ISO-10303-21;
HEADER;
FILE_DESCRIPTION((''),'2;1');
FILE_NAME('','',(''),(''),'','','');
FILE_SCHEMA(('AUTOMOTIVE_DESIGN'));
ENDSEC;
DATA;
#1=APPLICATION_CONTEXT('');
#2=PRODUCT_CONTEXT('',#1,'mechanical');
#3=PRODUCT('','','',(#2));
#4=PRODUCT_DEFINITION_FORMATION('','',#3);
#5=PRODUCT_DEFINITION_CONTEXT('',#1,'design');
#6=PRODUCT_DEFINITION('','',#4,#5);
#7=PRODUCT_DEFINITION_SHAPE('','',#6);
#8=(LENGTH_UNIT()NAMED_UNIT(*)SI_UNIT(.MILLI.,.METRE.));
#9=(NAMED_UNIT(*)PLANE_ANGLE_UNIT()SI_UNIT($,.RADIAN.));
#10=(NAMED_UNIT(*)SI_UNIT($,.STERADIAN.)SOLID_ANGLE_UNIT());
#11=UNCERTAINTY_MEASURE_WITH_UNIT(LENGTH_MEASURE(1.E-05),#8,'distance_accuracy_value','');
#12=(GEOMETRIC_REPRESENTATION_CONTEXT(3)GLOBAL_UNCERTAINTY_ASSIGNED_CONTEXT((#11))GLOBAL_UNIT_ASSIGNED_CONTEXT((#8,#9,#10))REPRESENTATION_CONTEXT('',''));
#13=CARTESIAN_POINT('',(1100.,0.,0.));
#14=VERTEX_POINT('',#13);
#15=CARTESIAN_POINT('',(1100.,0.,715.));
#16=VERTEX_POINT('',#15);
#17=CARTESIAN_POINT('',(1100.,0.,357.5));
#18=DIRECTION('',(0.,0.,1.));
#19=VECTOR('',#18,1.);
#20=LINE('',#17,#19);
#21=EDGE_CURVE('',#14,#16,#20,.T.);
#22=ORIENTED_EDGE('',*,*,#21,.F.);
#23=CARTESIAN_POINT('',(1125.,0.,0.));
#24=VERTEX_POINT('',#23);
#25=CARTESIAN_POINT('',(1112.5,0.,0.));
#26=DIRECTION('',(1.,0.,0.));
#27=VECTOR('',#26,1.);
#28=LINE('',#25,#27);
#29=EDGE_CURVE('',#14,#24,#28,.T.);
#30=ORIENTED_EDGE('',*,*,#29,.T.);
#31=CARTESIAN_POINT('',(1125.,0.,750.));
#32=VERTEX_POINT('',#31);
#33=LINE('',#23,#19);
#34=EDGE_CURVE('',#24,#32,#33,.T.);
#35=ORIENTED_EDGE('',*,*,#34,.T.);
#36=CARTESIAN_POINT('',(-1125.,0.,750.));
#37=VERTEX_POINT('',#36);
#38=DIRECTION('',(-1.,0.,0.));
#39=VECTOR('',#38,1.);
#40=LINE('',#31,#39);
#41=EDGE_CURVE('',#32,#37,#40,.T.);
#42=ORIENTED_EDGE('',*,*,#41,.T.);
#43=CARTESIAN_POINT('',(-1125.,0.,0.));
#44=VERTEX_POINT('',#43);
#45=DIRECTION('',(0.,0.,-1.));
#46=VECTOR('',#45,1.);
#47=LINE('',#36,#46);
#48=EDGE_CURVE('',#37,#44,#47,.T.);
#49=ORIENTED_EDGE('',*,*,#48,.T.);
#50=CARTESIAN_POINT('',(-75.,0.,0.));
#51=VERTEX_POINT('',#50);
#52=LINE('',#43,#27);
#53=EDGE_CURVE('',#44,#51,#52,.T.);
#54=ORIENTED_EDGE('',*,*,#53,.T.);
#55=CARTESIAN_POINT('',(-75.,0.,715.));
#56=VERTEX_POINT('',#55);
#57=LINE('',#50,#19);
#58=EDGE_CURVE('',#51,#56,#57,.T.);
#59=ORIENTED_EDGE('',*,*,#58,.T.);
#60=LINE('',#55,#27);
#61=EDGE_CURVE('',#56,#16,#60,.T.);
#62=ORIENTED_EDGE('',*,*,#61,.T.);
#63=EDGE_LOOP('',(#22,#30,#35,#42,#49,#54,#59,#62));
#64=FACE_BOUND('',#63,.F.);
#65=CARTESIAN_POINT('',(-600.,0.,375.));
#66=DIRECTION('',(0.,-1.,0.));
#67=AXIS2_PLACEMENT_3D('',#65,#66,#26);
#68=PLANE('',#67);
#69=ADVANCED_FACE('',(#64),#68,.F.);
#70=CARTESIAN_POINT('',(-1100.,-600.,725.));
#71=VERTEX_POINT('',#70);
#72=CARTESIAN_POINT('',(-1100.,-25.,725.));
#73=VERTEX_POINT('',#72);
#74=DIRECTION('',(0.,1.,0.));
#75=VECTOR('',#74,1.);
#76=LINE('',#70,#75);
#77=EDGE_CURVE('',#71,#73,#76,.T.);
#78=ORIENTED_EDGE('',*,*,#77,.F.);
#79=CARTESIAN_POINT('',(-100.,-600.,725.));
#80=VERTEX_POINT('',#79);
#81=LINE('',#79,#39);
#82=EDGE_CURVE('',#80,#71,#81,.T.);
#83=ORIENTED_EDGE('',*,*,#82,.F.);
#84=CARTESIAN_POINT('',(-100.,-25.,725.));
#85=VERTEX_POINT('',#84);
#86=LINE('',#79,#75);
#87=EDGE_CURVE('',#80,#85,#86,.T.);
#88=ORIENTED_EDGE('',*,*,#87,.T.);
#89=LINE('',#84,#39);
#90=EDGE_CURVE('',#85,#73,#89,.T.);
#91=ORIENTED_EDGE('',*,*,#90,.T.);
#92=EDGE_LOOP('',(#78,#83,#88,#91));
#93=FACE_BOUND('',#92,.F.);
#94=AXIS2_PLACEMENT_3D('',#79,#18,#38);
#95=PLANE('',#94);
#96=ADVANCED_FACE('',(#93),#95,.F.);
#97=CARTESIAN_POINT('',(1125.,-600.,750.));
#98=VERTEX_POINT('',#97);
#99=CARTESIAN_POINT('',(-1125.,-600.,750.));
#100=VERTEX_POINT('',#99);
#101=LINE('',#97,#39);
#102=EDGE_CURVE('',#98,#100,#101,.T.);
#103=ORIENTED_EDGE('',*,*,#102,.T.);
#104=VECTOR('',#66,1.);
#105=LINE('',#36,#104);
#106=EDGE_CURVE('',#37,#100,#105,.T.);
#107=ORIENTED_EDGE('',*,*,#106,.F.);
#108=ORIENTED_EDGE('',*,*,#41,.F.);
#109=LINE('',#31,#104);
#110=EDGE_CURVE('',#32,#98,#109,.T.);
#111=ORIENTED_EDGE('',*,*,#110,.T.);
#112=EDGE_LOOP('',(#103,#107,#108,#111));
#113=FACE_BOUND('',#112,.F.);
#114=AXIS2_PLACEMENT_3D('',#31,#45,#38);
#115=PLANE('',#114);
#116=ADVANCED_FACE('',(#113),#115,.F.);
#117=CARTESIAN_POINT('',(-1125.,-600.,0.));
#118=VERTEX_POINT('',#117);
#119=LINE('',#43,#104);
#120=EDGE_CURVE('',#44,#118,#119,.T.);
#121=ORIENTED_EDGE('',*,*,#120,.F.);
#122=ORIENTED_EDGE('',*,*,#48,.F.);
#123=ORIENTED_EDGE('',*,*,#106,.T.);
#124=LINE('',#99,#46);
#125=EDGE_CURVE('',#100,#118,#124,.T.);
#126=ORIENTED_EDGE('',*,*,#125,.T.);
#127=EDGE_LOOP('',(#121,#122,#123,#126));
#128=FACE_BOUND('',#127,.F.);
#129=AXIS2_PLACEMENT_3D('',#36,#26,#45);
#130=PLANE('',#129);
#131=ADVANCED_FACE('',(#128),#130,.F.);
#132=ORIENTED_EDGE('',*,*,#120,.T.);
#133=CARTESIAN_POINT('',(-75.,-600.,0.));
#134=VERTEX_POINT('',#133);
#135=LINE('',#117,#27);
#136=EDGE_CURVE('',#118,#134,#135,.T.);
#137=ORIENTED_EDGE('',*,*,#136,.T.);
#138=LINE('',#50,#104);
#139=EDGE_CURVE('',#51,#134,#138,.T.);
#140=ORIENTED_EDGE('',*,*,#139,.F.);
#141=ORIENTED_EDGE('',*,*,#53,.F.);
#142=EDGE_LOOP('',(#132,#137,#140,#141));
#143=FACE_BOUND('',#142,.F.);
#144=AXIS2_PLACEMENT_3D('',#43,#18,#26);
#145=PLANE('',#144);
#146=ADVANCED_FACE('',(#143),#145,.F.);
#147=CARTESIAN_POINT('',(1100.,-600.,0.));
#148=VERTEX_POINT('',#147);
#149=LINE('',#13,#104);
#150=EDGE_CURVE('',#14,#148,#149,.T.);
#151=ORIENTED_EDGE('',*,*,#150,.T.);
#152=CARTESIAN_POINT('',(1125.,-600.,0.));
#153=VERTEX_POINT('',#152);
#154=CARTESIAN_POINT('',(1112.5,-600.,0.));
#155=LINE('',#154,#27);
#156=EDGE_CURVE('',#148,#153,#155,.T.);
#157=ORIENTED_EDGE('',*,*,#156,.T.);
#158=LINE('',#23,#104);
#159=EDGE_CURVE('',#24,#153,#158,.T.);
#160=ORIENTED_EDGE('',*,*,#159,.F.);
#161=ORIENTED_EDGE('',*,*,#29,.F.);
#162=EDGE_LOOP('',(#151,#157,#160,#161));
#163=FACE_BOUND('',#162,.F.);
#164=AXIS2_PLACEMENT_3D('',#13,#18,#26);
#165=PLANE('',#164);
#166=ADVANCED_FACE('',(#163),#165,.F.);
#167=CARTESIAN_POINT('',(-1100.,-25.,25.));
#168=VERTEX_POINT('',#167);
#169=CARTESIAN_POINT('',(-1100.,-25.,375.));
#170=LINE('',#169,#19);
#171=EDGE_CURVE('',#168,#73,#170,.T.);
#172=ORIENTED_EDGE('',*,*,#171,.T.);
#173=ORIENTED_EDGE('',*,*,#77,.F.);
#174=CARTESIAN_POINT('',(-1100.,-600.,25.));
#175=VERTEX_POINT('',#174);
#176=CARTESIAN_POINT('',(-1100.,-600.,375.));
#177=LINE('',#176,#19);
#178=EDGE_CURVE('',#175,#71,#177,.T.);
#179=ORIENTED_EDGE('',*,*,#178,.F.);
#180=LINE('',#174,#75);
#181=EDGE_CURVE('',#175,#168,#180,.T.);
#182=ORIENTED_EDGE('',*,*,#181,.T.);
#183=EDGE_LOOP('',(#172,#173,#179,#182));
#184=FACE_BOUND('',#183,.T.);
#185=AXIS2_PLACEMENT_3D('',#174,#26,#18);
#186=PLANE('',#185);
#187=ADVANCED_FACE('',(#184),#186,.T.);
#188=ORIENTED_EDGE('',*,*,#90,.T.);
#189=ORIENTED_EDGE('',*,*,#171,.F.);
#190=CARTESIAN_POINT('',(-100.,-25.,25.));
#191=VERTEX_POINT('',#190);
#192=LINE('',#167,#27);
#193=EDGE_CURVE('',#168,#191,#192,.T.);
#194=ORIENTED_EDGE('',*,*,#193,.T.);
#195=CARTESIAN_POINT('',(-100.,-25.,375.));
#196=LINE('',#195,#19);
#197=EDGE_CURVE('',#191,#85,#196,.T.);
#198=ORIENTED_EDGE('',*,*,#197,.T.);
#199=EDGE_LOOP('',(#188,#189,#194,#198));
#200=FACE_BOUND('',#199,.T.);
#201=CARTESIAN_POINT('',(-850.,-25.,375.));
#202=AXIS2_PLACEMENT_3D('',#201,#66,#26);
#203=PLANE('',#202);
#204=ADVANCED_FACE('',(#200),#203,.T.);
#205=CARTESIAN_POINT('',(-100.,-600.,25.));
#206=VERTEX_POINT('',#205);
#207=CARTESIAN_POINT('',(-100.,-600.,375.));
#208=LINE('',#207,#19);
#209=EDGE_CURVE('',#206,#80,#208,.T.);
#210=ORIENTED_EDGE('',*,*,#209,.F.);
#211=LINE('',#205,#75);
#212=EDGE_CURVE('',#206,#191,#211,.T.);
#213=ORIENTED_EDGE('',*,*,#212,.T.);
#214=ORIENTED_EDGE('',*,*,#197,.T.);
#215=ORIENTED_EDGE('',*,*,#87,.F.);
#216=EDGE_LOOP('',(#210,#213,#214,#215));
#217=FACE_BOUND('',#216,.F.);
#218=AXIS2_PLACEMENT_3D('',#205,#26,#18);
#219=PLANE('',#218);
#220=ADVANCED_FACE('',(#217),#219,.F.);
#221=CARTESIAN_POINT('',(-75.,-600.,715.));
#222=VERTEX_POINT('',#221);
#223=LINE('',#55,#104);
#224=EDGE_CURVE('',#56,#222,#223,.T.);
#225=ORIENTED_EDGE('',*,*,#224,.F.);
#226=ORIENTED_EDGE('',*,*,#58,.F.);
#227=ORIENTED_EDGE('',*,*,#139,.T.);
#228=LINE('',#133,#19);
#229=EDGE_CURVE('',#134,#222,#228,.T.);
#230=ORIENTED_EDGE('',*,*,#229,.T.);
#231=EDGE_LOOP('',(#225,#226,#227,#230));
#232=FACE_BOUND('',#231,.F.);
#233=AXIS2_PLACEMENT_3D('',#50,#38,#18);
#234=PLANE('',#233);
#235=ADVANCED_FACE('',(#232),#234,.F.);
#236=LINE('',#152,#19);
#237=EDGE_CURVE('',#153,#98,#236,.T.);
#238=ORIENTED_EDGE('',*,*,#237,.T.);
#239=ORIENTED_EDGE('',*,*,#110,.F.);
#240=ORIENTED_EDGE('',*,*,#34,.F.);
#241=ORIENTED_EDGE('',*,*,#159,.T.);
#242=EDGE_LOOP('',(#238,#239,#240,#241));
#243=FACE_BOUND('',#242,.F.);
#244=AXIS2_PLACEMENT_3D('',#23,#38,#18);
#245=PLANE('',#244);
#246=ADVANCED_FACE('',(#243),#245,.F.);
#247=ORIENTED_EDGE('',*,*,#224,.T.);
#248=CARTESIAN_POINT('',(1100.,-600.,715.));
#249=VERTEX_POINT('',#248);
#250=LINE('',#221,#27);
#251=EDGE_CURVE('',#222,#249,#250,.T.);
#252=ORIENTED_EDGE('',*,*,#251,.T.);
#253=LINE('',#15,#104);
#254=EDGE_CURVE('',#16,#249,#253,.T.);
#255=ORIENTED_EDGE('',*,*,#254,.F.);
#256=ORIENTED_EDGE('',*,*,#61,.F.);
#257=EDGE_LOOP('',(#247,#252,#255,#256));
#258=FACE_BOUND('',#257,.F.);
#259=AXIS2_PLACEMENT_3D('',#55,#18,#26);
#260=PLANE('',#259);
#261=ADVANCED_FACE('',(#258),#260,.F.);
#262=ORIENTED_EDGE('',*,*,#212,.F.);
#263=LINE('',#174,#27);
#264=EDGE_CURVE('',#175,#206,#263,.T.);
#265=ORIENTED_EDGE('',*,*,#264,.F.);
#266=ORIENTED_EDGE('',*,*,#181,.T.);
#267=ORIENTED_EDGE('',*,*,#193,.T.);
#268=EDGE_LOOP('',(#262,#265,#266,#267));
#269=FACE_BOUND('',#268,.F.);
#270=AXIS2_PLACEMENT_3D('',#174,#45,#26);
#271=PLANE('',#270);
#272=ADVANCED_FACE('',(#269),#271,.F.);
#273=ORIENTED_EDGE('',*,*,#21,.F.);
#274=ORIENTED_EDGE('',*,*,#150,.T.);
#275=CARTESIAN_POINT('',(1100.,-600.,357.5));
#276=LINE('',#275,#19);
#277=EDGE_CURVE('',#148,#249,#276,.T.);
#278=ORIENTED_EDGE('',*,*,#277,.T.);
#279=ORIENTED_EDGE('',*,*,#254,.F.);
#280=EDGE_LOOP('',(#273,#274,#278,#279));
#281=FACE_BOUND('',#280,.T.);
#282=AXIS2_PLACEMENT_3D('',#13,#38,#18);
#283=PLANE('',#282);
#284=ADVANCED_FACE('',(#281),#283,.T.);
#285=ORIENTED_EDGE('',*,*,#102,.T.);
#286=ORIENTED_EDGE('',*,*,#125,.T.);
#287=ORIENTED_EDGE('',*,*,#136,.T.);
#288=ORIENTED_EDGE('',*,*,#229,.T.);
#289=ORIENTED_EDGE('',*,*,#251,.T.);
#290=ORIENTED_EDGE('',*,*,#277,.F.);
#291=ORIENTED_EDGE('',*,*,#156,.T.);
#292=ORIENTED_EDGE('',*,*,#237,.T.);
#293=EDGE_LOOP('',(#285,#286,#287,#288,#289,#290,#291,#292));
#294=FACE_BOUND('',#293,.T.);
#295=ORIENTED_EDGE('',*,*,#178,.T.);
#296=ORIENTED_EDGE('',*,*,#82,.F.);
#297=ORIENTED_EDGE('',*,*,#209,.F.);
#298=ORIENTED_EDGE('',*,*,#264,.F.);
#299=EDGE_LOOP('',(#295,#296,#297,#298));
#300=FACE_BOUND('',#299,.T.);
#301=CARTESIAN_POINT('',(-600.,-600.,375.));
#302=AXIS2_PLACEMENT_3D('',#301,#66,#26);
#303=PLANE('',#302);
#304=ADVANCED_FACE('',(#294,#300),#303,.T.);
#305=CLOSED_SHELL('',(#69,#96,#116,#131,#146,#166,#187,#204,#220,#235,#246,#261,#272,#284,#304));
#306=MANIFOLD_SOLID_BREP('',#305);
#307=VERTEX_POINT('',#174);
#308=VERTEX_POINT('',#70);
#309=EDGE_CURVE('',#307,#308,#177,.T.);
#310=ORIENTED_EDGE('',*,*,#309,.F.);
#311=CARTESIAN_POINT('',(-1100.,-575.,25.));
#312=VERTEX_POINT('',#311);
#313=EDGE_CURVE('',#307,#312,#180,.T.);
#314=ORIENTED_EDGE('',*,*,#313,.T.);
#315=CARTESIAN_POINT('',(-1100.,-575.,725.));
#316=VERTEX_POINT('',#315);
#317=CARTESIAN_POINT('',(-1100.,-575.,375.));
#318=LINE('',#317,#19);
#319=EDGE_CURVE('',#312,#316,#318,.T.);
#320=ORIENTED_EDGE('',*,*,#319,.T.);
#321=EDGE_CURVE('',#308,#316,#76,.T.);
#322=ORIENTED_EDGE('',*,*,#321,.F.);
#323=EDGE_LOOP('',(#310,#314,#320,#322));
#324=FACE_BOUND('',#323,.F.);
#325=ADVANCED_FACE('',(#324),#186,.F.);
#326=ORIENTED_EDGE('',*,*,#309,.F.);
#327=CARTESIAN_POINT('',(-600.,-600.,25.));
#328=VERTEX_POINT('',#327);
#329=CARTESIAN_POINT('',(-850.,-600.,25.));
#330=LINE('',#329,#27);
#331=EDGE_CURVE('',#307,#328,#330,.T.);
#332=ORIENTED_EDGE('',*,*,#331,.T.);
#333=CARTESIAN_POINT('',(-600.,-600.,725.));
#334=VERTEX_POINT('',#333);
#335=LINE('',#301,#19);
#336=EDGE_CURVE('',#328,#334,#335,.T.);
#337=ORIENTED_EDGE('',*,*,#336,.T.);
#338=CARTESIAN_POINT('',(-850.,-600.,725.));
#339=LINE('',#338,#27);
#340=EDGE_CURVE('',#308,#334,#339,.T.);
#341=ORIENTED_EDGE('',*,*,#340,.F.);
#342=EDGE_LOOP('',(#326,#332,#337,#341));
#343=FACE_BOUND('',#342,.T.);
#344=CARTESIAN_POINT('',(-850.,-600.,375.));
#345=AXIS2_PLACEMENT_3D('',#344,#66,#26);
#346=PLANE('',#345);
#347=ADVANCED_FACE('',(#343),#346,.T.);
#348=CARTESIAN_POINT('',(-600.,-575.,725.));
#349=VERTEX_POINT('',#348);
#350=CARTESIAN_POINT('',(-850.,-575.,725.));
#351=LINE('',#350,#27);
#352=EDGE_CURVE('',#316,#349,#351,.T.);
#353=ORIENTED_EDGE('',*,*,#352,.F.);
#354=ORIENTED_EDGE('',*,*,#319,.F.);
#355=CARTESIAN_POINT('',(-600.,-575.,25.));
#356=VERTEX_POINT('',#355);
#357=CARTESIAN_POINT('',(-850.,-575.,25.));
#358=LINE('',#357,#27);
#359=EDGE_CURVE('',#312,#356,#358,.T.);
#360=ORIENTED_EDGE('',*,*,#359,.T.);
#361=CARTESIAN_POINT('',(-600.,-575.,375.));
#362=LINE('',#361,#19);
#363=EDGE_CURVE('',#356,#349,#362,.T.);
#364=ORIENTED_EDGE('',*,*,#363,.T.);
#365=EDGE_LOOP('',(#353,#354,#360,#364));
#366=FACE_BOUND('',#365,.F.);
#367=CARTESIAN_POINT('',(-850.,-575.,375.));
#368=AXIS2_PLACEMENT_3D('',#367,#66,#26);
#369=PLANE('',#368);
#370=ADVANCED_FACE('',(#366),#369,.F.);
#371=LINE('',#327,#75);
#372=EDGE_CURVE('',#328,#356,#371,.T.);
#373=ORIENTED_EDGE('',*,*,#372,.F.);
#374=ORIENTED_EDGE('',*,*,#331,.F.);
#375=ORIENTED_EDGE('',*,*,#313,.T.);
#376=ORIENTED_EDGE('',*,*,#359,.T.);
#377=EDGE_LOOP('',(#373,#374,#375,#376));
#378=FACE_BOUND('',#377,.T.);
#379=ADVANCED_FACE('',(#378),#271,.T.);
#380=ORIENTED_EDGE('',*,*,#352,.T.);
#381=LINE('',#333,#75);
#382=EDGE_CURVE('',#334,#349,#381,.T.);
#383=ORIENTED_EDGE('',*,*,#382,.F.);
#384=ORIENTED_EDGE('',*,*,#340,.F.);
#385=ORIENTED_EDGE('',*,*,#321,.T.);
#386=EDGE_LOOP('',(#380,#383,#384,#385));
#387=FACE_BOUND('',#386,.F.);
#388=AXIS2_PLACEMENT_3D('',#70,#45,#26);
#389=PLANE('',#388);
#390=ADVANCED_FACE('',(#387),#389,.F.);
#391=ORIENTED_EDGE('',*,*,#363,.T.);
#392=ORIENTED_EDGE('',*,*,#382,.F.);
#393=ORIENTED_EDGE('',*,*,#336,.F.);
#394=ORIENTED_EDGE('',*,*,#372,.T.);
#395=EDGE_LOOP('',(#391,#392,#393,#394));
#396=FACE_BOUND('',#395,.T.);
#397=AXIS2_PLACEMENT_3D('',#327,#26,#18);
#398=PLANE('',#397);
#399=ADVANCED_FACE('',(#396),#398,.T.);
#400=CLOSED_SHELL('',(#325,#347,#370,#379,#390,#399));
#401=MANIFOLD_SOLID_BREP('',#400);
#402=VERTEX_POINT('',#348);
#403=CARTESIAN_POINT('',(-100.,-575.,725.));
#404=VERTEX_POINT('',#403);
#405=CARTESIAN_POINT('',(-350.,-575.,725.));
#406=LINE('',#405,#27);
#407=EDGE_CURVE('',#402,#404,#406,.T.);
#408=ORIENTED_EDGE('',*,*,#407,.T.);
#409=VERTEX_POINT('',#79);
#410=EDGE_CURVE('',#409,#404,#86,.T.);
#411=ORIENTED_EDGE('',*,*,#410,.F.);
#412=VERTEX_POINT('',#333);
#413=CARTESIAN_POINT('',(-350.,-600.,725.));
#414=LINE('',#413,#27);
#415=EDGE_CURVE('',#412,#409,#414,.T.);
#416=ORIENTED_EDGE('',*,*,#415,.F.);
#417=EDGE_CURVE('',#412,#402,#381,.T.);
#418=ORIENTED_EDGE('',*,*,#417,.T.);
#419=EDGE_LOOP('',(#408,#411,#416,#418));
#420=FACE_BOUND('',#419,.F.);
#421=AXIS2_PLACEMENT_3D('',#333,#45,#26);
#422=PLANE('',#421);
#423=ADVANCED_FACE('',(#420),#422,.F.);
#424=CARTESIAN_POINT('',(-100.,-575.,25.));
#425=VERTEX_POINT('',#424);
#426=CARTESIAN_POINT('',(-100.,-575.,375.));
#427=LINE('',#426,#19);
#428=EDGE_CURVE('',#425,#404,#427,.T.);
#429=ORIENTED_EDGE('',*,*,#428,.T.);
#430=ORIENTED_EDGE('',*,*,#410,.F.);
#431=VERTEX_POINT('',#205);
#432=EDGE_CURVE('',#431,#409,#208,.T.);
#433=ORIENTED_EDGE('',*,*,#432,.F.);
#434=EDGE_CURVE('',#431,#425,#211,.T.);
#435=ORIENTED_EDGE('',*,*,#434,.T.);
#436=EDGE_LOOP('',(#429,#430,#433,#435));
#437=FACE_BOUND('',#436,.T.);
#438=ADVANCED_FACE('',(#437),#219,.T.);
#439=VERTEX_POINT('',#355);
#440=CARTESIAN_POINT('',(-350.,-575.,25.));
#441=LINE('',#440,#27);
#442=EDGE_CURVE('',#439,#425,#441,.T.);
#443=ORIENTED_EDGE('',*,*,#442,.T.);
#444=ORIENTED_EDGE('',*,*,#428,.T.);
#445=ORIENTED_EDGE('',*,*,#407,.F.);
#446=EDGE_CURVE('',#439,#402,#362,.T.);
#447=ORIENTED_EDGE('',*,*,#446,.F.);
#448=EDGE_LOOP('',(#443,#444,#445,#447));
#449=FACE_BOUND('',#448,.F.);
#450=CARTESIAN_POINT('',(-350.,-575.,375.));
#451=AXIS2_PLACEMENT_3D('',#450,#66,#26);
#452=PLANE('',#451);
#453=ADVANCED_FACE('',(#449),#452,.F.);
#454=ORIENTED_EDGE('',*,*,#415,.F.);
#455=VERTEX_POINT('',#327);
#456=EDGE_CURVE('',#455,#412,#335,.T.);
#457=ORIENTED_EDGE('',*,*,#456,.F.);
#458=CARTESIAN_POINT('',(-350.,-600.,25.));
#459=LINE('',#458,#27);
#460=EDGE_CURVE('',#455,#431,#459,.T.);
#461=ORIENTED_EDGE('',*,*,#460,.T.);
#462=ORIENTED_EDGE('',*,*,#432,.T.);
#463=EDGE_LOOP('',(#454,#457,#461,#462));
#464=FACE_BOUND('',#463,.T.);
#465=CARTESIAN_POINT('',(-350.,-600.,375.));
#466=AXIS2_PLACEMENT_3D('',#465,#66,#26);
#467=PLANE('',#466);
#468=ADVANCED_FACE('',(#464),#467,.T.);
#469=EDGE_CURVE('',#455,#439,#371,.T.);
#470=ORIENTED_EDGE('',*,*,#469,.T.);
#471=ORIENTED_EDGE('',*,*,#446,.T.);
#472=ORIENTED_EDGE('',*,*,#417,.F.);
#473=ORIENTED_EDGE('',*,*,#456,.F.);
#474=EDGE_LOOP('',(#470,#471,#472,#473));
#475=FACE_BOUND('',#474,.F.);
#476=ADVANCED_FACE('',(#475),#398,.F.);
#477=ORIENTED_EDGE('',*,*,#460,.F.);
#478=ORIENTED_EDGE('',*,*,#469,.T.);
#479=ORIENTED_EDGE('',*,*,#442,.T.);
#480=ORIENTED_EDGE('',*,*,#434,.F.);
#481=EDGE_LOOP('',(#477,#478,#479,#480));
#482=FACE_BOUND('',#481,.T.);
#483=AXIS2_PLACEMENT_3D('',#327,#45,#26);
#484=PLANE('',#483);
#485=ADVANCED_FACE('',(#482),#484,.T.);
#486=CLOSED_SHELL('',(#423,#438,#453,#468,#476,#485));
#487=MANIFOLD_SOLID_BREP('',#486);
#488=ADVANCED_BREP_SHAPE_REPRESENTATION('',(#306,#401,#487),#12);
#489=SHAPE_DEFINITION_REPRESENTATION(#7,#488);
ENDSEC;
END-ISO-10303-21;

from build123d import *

# Parameters (mm, degrees)
F0_W     = 25
F0_H     = 715
F1_DEPTH = 600
F2_W     = 500
F2_H     = 700
F3_DEPTH = 575
F4_DEPTH = 25
F5_DEPTH = 25


with BuildPart() as f1:
    # F0 (on Front) → F1 (new body)
    with BuildSketch(Plane.XZ):
        Polygon((-1125, 750), (-1125, 0), (-75, 0), (-75, 715), (-75, 750), align=None)
        Polygon((-75, 750), (-75, 715), (1100, 715), (1125, 715), (1125, 750), align=None)
        with Locations((1112.5, 357.5)):
            Rectangle(F0_W, F0_H)
    extrude(amount=F1_DEPTH)

    # F2 (on face) → F3 (cut, through all)
    with BuildSketch(Plane.XZ.offset(600)):
        with Locations((-850, 375)):
            Rectangle(F2_W, F2_H)
        with Locations((-350, 375)):
            Rectangle(F2_W, F2_H)
    extrude(amount=-F3_DEPTH, mode=Mode.SUBTRACT)


with BuildPart() as f4:
    # F2 (on face) → F4 (new body)
    with BuildSketch(Plane.XZ.offset(600)):
        with Locations((-850, 375)):
            Rectangle(F2_W, F2_H)
    extrude(amount=-F4_DEPTH)


with BuildPart() as f5:
    # F2 (on face) → F5 (new body)
    with BuildSketch(Plane.XZ.offset(600)):
        with Locations((-350, 375)):
            Rectangle(F2_W, F2_H)
    extrude(amount=-F5_DEPTH)


solid = Compound([f1.part, f4.part, f5.part])
